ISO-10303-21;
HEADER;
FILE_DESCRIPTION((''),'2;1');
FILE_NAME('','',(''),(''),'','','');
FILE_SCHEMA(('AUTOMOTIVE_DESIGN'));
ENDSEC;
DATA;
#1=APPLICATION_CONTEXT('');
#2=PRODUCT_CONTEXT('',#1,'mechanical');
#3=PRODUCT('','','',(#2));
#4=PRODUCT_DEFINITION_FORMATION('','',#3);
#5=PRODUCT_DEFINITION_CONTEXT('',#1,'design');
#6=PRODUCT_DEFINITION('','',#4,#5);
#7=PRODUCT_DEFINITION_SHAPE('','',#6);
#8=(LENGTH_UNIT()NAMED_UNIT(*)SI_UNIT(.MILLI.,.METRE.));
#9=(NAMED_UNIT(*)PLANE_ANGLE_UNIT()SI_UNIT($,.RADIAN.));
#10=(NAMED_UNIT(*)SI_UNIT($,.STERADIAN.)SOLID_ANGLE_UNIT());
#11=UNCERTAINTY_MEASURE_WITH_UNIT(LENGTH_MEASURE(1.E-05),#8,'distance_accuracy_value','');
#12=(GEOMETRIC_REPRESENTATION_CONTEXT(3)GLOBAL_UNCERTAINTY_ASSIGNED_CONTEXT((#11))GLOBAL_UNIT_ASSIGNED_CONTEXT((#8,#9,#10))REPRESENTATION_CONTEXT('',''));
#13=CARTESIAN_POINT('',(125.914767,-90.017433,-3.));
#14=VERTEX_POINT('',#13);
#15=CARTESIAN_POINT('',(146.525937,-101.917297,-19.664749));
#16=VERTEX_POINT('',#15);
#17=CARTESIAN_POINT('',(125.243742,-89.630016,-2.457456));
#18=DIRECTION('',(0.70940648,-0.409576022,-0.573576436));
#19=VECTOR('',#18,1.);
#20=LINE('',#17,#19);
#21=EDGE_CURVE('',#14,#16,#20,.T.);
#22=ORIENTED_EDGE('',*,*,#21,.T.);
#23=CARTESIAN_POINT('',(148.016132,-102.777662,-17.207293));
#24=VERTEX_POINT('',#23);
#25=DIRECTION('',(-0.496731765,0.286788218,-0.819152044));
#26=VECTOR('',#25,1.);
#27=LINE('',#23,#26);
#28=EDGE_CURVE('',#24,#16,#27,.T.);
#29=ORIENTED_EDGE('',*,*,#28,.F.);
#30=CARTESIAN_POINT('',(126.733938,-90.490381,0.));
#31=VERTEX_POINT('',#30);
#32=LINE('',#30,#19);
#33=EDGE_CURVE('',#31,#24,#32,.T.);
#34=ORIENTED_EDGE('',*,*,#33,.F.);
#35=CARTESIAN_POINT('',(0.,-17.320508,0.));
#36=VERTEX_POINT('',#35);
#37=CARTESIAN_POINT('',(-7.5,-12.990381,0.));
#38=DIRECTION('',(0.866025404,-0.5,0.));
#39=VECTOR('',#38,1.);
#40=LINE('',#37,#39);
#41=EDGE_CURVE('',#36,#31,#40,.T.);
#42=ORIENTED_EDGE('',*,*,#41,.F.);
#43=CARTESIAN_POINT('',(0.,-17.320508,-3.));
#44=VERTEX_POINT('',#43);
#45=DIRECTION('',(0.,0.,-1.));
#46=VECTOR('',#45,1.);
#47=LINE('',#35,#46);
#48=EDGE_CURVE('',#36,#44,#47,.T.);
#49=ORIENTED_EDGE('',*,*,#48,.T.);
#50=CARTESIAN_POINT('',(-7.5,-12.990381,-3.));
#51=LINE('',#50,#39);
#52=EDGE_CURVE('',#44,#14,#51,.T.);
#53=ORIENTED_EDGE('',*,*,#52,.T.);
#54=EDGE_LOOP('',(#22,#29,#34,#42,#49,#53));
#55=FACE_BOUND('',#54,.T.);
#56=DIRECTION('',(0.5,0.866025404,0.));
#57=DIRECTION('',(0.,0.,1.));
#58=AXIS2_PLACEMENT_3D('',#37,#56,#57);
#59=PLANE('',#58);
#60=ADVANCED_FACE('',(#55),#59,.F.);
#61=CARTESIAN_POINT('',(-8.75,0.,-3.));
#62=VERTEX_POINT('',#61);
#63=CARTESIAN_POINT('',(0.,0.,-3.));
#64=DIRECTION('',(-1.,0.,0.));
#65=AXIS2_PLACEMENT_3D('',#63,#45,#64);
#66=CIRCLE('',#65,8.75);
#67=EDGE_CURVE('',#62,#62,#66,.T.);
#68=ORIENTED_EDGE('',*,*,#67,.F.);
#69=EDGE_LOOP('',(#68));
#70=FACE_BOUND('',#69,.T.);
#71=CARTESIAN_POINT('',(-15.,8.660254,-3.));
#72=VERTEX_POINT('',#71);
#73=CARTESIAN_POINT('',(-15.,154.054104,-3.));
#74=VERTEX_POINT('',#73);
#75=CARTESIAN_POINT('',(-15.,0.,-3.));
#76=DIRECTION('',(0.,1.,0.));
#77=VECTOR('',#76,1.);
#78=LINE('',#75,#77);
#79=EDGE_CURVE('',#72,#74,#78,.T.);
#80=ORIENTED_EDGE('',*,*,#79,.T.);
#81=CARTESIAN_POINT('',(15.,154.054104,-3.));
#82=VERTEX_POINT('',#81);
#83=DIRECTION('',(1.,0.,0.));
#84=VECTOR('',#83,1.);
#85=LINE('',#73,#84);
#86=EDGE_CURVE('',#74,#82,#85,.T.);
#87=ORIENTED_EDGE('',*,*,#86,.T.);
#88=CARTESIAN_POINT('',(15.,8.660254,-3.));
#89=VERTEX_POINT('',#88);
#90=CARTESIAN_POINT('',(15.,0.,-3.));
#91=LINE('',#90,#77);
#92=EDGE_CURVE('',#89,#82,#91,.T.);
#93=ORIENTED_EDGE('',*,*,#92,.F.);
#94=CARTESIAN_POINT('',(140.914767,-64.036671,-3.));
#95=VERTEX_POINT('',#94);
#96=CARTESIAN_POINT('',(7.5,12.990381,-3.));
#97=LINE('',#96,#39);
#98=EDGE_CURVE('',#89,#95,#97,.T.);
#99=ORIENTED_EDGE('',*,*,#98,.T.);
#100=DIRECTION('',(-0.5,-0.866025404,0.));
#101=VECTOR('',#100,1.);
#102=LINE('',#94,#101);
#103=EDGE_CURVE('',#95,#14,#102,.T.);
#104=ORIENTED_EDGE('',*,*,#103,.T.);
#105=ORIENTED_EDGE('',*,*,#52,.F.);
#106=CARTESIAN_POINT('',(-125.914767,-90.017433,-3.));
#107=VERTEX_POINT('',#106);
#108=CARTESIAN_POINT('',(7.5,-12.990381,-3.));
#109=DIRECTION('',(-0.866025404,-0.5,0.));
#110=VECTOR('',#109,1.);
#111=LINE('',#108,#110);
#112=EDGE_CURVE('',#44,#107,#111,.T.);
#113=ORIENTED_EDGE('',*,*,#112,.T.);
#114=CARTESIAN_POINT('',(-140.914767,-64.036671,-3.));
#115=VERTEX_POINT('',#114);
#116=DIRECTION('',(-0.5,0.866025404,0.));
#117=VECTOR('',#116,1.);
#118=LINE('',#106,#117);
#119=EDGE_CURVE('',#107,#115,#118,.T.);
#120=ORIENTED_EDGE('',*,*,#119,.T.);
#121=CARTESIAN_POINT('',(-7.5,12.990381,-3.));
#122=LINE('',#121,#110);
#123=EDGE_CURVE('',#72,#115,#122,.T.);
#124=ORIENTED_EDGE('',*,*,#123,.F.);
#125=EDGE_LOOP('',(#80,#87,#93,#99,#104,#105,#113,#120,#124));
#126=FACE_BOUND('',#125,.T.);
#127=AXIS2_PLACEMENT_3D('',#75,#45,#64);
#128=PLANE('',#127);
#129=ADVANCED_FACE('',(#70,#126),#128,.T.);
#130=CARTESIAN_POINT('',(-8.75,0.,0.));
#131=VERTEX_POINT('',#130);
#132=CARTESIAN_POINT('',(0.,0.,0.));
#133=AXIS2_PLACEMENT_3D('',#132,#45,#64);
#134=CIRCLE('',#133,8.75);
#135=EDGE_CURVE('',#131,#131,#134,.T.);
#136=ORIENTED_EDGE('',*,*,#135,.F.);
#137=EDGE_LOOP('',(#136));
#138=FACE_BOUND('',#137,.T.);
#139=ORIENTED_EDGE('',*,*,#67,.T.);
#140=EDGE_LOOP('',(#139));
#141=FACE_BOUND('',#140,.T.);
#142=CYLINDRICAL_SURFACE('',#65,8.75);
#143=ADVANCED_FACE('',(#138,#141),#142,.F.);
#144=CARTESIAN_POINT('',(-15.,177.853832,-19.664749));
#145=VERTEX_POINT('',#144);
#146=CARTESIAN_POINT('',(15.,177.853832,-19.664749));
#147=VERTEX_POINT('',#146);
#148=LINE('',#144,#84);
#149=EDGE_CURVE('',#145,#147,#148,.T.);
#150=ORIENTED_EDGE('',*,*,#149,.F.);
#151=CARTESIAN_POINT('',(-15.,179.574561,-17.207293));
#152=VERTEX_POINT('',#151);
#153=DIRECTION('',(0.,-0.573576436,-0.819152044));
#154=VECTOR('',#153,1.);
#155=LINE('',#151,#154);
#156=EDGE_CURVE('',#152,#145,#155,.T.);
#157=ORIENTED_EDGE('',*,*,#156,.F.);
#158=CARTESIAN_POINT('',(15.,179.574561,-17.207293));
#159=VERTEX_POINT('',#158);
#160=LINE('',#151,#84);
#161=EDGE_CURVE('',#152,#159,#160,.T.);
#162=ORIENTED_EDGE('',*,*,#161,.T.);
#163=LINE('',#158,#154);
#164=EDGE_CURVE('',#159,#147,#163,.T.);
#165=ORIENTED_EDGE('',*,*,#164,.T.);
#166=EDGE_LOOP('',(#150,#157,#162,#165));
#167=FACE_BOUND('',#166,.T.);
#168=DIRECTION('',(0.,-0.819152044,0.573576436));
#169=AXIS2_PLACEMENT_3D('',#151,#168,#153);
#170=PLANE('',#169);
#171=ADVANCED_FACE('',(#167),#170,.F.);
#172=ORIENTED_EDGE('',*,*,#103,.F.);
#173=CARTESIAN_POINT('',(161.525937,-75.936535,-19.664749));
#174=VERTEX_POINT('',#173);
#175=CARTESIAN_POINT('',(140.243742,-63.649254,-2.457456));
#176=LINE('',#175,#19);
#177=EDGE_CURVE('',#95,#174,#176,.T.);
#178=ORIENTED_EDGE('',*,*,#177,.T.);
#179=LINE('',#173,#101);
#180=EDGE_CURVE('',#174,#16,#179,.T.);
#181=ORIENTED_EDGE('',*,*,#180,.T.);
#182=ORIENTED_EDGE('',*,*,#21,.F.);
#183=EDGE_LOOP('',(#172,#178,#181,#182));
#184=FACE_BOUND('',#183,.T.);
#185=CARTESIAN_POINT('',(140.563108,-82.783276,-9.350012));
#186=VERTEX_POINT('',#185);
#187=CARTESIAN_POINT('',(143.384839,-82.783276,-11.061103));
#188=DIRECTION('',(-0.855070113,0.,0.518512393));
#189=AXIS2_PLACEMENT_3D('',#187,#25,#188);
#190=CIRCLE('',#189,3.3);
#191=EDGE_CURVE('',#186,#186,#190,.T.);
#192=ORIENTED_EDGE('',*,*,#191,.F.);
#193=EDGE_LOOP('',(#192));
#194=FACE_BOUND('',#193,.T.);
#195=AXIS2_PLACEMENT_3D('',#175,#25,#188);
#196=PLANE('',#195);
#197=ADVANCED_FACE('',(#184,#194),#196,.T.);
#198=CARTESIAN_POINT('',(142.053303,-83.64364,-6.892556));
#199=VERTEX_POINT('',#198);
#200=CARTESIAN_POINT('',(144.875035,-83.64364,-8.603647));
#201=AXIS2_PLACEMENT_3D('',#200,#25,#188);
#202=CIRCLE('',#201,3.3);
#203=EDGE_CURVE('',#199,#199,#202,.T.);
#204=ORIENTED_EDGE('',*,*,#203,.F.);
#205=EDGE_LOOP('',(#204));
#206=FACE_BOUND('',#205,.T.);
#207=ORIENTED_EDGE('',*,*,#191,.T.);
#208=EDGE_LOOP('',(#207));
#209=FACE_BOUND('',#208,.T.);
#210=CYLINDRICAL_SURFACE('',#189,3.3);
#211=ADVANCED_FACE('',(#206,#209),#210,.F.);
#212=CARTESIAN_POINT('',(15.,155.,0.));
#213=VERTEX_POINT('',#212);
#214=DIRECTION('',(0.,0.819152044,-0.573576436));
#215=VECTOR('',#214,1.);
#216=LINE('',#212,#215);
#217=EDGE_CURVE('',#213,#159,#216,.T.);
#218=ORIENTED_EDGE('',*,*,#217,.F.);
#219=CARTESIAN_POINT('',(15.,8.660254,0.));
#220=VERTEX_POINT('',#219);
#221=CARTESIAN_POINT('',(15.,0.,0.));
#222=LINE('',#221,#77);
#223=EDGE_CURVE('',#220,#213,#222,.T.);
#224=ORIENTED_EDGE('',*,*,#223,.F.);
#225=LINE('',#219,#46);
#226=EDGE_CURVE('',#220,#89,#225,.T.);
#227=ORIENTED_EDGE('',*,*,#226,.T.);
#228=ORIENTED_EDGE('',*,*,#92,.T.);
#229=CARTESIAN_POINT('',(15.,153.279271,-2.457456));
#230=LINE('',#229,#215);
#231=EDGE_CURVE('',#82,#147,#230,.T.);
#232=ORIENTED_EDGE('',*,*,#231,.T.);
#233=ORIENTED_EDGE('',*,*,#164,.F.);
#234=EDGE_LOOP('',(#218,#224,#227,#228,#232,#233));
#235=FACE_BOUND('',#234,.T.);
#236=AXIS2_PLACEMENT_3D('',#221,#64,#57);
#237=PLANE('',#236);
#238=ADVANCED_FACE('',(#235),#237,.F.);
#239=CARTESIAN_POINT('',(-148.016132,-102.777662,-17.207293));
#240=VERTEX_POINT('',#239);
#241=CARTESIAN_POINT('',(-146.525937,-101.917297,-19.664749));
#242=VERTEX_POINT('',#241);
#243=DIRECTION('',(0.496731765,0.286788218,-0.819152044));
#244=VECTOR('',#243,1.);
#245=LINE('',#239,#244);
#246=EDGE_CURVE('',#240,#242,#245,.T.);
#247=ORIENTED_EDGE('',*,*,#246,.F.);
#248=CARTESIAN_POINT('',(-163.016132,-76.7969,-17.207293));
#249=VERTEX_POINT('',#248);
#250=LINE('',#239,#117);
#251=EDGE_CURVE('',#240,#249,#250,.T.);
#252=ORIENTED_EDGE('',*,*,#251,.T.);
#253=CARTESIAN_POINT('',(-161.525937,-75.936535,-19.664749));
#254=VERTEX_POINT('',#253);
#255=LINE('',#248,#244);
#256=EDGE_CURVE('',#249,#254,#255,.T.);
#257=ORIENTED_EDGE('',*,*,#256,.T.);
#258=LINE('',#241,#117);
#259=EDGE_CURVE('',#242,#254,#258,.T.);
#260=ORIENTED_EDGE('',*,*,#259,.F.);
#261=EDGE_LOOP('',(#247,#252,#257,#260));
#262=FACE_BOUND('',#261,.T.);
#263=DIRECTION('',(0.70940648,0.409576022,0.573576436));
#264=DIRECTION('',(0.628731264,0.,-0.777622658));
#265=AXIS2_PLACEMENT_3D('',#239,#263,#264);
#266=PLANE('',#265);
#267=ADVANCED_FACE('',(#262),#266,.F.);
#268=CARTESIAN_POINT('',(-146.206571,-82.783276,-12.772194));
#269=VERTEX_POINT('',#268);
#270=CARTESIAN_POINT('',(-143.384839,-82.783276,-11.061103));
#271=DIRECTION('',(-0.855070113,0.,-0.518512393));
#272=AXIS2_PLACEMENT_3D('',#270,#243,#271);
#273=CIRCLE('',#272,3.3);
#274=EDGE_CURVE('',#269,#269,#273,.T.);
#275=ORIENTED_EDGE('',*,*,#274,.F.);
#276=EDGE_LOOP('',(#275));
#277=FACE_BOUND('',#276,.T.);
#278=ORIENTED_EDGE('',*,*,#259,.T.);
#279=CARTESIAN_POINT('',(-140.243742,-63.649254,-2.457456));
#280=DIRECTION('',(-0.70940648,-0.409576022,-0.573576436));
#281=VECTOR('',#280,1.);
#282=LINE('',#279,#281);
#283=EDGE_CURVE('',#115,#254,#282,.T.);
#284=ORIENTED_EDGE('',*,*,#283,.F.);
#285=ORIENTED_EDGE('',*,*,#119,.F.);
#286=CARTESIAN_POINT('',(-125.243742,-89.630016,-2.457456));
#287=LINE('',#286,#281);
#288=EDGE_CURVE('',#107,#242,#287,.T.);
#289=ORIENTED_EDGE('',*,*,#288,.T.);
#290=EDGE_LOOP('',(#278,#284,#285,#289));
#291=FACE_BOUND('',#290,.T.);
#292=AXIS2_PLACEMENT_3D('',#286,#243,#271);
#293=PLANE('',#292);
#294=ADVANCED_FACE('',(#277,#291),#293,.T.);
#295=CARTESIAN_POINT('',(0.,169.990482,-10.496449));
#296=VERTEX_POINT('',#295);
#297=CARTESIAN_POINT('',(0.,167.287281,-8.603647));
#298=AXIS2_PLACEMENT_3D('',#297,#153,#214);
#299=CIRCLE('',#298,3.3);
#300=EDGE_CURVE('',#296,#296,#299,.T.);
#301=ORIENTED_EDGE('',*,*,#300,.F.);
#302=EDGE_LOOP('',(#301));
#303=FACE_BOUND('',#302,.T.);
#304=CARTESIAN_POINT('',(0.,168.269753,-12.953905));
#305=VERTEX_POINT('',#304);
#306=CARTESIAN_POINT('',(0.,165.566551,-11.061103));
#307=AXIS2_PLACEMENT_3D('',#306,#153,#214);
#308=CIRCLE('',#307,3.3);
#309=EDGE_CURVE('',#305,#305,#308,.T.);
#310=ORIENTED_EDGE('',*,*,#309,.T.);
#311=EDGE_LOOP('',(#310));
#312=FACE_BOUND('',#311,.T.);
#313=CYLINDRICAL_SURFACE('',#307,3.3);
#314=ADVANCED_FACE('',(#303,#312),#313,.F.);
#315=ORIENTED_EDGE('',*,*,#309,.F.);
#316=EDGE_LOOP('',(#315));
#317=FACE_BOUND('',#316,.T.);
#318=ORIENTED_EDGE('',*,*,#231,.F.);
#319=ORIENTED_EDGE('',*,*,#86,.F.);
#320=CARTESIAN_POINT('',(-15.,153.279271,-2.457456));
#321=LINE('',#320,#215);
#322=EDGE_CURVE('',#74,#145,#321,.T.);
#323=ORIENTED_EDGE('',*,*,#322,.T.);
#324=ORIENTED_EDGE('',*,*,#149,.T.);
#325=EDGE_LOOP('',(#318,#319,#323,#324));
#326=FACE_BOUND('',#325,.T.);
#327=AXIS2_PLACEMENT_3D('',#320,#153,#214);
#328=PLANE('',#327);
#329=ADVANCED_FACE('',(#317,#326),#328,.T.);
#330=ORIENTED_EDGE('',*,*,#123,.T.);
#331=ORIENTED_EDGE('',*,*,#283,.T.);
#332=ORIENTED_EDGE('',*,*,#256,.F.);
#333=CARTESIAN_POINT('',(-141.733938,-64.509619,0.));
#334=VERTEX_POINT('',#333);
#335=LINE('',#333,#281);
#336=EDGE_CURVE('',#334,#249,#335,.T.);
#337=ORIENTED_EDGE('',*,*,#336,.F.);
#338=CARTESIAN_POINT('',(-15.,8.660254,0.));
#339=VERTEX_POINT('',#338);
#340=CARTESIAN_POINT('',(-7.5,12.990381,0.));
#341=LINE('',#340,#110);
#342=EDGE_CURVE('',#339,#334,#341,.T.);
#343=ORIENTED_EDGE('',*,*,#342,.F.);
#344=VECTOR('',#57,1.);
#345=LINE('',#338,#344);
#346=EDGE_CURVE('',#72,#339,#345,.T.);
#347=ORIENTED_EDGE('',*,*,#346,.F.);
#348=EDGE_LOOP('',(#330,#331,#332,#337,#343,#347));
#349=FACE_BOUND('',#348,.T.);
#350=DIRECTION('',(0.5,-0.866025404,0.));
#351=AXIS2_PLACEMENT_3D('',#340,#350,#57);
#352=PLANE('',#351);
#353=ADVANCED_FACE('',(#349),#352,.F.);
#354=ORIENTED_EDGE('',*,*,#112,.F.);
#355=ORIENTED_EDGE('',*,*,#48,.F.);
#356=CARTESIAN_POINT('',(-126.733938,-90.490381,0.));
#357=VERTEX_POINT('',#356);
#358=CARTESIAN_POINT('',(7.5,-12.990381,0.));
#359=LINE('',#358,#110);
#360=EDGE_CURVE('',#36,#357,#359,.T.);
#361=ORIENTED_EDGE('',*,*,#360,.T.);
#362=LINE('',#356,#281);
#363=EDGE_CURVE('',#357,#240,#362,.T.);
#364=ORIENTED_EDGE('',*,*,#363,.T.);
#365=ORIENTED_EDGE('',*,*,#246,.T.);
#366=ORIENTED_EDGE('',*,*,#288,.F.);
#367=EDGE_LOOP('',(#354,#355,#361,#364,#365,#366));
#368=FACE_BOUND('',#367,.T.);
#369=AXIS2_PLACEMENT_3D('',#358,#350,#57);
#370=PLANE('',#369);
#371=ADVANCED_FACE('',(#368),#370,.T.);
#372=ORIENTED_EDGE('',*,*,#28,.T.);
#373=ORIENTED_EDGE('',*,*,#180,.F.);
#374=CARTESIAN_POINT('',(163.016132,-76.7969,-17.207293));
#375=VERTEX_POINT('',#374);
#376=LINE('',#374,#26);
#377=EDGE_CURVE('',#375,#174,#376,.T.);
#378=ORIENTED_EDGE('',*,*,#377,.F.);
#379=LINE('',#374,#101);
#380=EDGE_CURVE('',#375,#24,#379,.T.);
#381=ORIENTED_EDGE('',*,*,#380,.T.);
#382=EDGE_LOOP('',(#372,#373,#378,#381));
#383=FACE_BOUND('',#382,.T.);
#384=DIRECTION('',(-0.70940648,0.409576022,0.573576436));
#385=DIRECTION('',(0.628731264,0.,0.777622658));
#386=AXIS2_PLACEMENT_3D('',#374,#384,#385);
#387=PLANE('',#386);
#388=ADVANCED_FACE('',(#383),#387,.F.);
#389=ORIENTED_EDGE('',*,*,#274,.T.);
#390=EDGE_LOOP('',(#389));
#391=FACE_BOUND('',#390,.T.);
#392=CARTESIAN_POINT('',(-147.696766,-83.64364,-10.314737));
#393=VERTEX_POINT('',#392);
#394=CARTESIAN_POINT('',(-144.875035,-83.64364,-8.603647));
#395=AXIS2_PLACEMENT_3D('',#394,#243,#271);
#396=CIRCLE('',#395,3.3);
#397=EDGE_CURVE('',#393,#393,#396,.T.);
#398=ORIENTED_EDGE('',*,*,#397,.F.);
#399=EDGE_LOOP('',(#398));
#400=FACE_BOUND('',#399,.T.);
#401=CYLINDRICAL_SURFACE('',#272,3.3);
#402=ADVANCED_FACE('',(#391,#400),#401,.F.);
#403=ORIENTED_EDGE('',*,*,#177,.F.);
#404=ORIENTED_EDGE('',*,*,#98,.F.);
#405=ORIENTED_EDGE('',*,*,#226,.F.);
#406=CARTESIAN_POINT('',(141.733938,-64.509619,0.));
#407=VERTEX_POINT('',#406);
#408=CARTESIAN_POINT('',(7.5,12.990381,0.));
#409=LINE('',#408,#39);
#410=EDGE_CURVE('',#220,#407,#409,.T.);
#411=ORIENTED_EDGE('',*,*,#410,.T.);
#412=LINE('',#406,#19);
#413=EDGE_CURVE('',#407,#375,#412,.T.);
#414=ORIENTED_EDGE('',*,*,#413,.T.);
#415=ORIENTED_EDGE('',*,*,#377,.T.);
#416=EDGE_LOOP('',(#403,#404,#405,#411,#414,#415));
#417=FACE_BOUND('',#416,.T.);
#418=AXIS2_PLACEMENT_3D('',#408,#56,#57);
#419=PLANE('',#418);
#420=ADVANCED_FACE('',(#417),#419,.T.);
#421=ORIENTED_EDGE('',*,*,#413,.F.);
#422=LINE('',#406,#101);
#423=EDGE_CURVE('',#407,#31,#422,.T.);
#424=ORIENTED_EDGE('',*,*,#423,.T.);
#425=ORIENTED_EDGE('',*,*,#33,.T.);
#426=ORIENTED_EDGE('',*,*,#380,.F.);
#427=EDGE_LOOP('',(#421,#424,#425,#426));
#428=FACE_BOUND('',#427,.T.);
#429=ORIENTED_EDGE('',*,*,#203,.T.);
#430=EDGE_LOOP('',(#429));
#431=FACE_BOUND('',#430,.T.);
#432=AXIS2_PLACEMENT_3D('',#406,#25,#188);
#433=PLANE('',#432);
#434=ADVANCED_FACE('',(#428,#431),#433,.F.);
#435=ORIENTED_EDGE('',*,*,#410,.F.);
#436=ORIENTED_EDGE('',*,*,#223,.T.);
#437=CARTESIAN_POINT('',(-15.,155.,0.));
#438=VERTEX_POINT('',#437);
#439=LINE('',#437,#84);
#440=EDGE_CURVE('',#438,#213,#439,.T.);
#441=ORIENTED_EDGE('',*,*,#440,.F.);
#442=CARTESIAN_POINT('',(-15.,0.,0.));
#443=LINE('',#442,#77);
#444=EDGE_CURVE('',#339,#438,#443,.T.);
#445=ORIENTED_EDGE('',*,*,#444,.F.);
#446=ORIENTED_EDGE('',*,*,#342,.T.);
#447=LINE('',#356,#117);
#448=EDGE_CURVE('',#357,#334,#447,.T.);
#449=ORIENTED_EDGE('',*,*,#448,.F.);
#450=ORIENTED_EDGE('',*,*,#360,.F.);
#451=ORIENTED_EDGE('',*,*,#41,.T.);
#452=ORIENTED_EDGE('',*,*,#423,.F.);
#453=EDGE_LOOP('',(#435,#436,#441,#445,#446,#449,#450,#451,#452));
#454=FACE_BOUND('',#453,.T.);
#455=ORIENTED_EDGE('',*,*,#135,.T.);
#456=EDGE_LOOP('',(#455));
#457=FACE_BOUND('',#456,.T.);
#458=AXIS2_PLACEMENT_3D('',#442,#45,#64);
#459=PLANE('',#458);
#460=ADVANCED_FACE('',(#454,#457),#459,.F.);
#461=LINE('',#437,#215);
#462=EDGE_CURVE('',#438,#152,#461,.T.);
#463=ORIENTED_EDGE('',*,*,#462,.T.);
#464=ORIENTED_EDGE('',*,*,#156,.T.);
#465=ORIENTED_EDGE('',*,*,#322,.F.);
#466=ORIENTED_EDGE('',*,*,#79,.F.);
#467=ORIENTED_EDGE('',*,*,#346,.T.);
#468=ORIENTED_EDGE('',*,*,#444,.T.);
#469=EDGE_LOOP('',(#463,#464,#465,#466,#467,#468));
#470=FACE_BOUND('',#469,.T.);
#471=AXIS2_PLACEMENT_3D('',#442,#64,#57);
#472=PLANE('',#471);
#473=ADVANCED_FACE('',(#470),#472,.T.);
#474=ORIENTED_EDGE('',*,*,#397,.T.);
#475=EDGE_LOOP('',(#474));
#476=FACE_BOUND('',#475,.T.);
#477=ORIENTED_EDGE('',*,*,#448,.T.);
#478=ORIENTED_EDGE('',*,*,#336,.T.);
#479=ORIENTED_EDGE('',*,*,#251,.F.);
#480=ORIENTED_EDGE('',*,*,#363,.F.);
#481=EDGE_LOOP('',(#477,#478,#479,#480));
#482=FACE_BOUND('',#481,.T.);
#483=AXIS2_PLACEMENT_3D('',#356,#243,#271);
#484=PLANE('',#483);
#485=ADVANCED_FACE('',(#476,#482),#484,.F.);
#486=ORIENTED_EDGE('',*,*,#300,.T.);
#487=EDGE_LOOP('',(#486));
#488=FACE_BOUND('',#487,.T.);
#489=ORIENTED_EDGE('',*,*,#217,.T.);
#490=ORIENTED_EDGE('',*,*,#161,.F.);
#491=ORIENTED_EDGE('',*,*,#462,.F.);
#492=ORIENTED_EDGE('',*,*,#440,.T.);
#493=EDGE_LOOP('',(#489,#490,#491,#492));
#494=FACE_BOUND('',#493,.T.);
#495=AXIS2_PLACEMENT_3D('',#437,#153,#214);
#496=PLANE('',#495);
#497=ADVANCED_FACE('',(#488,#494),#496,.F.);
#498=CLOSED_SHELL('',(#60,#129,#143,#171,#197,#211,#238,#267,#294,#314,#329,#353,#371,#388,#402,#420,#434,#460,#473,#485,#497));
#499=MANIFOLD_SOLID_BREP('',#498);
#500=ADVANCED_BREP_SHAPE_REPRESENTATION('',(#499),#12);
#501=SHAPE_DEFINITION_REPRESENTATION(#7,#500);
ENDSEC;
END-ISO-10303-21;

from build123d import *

# Parameters (mm, degrees)
EXTRUDE_1_DEPTH          = 15
PATTERN_CIRCULAR_1_COUNT = 3
HOLE_WIZARD_M161_D       = 17.5
HOLE_WIZARD_M62_D        = 6.6
PATTERN_CIRCULAR_2_COUNT = 3


with BuildPart() as part:
    # Эскиз1 → Вытянуть-Тонкостенный1 (new, symmetric)
    with BuildSketch(Plane(origin=(0, 0, 0), x_dir=(0, 0, -1), z_dir=(1, 0, 0))):
        Polygon((0, 0), (0, 155), (17.207293091, 179.574561329), (19.664749223, 177.85383202), (3, 154.054103633), (3, 0), align=None)
    extrude_1 = extrude(amount=EXTRUDE_1_DEPTH, both=True)

    # Круговой массив1: Вытянуть-Тонкостенный1 ×3 about axis
    pattern_circular_1_axis = Axis((0, 0, 0), (0, 0, -1))
    for i in range(1, PATTERN_CIRCULAR_1_COUNT):
        add(extrude_1.rotate(pattern_circular_1_axis, i * 360 / PATTERN_CIRCULAR_1_COUNT))

    # Отверстие с зазором M161 (through all)
    with Locations(Plane(origin=(0, 0, -3), x_dir=(-1, 0, 0), z_dir=(0, 0, -1))):
        with Locations((0, 0)):
            Hole(HOLE_WIZARD_M161_D / 2)

    # Отверстие с зазором M62 (through all)
    with Locations(Plane(origin=(0, 165.566551355, -11.061102678), x_dir=(0, -0.819152044289, 0.573576436351), z_dir=(0, -0.573576436351, -0.819152044289))):
        with Locations((0, 0)):
            hole_wizard_m62 = Hole(HOLE_WIZARD_M62_D / 2)

    # Круговой массив2: Отверстие с зазором M62 ×3 about axis
    pattern_circular_2_axis = Axis((0, 0, 0), (0, 0, -1))
    for i in range(1, PATTERN_CIRCULAR_2_COUNT):
        add(hole_wizard_m62.rotate(pattern_circular_2_axis, i * 360 / PATTERN_CIRCULAR_2_COUNT), mode=Mode.SUBTRACT)


solid = part.part
